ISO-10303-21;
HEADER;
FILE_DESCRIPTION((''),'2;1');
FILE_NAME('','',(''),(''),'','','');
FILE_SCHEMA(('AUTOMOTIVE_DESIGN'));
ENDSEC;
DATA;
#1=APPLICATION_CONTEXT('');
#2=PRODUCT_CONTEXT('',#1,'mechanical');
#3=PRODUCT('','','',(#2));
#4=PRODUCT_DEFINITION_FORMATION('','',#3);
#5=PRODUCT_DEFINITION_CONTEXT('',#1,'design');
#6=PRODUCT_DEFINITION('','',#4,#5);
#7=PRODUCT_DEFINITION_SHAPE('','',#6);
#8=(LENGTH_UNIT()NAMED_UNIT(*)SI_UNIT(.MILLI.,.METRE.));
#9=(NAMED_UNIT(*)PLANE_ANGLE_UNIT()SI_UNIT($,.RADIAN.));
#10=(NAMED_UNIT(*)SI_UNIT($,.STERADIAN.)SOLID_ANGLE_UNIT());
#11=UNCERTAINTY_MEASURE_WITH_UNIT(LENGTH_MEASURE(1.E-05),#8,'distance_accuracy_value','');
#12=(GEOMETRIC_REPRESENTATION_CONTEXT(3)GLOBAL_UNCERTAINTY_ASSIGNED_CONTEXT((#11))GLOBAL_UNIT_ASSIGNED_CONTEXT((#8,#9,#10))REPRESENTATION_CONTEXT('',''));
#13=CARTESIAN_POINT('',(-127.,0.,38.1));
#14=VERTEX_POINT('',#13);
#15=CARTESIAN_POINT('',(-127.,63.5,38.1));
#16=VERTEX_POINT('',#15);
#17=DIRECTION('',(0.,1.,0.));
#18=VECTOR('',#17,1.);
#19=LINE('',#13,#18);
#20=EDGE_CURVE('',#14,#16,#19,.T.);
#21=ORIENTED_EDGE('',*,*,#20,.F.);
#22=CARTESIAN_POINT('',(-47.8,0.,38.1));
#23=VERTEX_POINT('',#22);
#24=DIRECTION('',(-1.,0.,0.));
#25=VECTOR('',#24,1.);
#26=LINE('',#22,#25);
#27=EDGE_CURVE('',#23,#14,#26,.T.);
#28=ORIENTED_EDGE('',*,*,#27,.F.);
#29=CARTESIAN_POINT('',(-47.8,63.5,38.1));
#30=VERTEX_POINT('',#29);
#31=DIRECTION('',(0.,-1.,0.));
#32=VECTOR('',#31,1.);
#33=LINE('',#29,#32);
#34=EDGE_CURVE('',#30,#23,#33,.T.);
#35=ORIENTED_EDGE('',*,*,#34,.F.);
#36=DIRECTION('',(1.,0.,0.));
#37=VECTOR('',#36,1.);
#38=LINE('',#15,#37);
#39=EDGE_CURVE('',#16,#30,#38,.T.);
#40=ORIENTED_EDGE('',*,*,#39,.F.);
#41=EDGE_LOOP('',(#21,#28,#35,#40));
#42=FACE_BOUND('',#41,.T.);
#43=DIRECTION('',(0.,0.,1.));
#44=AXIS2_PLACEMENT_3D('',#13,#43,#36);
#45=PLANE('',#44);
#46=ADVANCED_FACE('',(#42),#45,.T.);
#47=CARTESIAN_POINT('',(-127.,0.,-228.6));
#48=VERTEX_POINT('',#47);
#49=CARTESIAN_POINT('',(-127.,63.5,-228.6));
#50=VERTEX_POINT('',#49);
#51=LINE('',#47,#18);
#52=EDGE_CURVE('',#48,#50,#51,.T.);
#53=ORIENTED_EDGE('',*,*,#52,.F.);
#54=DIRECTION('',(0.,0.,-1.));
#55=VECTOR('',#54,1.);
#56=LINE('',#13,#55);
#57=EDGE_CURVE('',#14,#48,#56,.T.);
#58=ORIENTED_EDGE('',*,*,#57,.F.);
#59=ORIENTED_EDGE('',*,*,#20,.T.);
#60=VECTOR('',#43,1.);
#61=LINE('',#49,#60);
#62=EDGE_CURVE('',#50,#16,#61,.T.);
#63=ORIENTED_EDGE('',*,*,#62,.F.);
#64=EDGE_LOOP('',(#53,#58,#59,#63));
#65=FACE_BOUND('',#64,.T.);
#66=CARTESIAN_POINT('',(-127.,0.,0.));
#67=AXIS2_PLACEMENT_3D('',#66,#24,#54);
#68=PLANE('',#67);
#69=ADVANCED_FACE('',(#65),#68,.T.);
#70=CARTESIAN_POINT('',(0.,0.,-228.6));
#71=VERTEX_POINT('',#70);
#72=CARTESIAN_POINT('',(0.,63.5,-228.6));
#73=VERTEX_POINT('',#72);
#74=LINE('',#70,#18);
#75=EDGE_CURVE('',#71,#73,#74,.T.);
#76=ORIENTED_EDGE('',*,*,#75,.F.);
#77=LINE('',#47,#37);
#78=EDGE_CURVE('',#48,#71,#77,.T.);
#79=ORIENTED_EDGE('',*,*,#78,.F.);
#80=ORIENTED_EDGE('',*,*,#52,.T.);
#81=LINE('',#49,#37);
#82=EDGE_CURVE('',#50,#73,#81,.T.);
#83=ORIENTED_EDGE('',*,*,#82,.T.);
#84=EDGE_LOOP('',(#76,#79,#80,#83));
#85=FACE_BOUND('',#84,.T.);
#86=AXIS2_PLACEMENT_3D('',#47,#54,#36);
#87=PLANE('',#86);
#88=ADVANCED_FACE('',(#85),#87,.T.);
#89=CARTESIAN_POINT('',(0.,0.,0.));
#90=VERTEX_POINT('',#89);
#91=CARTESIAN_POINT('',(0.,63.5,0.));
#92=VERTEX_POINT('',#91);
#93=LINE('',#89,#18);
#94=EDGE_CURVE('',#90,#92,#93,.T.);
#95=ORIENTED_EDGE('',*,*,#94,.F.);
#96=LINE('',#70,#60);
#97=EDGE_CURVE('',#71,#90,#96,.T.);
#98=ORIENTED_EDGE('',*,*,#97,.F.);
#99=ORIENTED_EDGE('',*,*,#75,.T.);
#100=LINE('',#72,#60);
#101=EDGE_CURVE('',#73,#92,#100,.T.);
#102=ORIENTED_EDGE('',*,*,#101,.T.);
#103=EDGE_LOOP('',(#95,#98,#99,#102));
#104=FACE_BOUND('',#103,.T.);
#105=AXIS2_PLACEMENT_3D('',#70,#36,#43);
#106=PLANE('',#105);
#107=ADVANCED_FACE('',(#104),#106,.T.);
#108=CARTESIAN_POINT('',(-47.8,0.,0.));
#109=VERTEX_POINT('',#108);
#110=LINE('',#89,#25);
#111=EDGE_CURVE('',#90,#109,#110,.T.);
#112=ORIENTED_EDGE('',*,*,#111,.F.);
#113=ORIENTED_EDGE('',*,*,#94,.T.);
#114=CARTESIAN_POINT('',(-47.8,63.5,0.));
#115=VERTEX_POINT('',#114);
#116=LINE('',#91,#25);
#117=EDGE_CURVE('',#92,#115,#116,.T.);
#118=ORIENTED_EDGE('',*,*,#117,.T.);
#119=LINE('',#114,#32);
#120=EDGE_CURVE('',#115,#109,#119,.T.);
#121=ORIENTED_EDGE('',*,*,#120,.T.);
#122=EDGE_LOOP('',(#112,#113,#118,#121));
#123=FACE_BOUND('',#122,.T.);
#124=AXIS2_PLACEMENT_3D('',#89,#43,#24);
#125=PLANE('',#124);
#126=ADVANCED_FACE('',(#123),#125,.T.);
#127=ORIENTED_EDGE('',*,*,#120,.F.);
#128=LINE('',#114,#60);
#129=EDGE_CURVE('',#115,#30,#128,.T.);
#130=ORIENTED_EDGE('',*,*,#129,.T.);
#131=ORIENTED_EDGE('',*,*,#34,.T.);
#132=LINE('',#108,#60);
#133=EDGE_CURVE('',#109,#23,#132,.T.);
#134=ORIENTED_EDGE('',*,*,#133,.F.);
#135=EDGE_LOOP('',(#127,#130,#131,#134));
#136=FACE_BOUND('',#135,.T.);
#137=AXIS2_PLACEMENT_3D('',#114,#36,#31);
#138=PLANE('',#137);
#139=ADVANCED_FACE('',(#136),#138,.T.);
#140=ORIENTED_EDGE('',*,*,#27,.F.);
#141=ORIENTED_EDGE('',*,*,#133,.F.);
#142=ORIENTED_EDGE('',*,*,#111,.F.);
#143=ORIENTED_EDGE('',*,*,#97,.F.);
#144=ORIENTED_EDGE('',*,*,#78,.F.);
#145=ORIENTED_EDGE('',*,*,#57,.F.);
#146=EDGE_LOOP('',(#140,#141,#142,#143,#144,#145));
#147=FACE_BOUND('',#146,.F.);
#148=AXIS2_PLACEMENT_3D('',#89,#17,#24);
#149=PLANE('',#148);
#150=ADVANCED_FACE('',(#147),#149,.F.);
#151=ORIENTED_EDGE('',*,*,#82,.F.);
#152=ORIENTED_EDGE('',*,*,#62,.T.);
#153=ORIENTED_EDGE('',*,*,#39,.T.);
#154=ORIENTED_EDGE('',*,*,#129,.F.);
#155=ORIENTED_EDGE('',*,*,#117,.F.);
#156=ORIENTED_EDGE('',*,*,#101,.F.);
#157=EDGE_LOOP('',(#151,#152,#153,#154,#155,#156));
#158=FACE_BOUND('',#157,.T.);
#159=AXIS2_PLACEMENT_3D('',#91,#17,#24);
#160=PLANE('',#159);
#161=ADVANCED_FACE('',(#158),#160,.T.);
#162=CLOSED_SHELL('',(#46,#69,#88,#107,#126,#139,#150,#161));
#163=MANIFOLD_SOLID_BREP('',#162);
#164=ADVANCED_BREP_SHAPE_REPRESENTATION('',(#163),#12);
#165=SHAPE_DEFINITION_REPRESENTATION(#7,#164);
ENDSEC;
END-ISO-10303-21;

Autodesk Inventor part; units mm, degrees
ref_plane "YZ Plane" through (0, 0, 0) normal (1, 0, 0) x (0, 1, 0)
ref_plane "XZ Plane" through (0, 0, 0) normal (0, 1, 0) x (-1, 0, 0)
ref_plane "XY Plane" through (0, 0, 0) normal (0, 0, 1) x (1, 0, 0)
sketch "Sketch1" plane through (0, 0, 0) normal (0, 1, 0) x (-1, 0, 0)
  line L0 (0, 0) -> (127, 0)
  line L1 (127, 0) -> (127, -228.6)
  line L2 (127, -228.6) -> (0, -228.6)
  line L3 (0, -228.6) -> (0, 0)
  dimension "d0" = 127
  dimension "d1" = 228.6
extrude "Extrusion1" add sketch "Sketch1" along normal blind 63.5
sketch "Sketch2" plane through (-127, 0, 0) normal (0, 0, 1) x (1, 0, 0)
  line L0 (0, 63.5) -> (127, 63.5) projected
  line L1 (0, 63.5) -> (79.2, 63.5)
  line L2 (79.2, 63.5) -> (79.2, 0)
  line L3 (79.2, 0) -> (0, 0)
  line L4 (0, 0) -> (0, 63.5)
  point P0 (127, 0)
  dimension "d4" = 79.2
extrude "Extrusion2" add sketch "Sketch2" along normal blind 38.1
properties part number "Power_Supply"
